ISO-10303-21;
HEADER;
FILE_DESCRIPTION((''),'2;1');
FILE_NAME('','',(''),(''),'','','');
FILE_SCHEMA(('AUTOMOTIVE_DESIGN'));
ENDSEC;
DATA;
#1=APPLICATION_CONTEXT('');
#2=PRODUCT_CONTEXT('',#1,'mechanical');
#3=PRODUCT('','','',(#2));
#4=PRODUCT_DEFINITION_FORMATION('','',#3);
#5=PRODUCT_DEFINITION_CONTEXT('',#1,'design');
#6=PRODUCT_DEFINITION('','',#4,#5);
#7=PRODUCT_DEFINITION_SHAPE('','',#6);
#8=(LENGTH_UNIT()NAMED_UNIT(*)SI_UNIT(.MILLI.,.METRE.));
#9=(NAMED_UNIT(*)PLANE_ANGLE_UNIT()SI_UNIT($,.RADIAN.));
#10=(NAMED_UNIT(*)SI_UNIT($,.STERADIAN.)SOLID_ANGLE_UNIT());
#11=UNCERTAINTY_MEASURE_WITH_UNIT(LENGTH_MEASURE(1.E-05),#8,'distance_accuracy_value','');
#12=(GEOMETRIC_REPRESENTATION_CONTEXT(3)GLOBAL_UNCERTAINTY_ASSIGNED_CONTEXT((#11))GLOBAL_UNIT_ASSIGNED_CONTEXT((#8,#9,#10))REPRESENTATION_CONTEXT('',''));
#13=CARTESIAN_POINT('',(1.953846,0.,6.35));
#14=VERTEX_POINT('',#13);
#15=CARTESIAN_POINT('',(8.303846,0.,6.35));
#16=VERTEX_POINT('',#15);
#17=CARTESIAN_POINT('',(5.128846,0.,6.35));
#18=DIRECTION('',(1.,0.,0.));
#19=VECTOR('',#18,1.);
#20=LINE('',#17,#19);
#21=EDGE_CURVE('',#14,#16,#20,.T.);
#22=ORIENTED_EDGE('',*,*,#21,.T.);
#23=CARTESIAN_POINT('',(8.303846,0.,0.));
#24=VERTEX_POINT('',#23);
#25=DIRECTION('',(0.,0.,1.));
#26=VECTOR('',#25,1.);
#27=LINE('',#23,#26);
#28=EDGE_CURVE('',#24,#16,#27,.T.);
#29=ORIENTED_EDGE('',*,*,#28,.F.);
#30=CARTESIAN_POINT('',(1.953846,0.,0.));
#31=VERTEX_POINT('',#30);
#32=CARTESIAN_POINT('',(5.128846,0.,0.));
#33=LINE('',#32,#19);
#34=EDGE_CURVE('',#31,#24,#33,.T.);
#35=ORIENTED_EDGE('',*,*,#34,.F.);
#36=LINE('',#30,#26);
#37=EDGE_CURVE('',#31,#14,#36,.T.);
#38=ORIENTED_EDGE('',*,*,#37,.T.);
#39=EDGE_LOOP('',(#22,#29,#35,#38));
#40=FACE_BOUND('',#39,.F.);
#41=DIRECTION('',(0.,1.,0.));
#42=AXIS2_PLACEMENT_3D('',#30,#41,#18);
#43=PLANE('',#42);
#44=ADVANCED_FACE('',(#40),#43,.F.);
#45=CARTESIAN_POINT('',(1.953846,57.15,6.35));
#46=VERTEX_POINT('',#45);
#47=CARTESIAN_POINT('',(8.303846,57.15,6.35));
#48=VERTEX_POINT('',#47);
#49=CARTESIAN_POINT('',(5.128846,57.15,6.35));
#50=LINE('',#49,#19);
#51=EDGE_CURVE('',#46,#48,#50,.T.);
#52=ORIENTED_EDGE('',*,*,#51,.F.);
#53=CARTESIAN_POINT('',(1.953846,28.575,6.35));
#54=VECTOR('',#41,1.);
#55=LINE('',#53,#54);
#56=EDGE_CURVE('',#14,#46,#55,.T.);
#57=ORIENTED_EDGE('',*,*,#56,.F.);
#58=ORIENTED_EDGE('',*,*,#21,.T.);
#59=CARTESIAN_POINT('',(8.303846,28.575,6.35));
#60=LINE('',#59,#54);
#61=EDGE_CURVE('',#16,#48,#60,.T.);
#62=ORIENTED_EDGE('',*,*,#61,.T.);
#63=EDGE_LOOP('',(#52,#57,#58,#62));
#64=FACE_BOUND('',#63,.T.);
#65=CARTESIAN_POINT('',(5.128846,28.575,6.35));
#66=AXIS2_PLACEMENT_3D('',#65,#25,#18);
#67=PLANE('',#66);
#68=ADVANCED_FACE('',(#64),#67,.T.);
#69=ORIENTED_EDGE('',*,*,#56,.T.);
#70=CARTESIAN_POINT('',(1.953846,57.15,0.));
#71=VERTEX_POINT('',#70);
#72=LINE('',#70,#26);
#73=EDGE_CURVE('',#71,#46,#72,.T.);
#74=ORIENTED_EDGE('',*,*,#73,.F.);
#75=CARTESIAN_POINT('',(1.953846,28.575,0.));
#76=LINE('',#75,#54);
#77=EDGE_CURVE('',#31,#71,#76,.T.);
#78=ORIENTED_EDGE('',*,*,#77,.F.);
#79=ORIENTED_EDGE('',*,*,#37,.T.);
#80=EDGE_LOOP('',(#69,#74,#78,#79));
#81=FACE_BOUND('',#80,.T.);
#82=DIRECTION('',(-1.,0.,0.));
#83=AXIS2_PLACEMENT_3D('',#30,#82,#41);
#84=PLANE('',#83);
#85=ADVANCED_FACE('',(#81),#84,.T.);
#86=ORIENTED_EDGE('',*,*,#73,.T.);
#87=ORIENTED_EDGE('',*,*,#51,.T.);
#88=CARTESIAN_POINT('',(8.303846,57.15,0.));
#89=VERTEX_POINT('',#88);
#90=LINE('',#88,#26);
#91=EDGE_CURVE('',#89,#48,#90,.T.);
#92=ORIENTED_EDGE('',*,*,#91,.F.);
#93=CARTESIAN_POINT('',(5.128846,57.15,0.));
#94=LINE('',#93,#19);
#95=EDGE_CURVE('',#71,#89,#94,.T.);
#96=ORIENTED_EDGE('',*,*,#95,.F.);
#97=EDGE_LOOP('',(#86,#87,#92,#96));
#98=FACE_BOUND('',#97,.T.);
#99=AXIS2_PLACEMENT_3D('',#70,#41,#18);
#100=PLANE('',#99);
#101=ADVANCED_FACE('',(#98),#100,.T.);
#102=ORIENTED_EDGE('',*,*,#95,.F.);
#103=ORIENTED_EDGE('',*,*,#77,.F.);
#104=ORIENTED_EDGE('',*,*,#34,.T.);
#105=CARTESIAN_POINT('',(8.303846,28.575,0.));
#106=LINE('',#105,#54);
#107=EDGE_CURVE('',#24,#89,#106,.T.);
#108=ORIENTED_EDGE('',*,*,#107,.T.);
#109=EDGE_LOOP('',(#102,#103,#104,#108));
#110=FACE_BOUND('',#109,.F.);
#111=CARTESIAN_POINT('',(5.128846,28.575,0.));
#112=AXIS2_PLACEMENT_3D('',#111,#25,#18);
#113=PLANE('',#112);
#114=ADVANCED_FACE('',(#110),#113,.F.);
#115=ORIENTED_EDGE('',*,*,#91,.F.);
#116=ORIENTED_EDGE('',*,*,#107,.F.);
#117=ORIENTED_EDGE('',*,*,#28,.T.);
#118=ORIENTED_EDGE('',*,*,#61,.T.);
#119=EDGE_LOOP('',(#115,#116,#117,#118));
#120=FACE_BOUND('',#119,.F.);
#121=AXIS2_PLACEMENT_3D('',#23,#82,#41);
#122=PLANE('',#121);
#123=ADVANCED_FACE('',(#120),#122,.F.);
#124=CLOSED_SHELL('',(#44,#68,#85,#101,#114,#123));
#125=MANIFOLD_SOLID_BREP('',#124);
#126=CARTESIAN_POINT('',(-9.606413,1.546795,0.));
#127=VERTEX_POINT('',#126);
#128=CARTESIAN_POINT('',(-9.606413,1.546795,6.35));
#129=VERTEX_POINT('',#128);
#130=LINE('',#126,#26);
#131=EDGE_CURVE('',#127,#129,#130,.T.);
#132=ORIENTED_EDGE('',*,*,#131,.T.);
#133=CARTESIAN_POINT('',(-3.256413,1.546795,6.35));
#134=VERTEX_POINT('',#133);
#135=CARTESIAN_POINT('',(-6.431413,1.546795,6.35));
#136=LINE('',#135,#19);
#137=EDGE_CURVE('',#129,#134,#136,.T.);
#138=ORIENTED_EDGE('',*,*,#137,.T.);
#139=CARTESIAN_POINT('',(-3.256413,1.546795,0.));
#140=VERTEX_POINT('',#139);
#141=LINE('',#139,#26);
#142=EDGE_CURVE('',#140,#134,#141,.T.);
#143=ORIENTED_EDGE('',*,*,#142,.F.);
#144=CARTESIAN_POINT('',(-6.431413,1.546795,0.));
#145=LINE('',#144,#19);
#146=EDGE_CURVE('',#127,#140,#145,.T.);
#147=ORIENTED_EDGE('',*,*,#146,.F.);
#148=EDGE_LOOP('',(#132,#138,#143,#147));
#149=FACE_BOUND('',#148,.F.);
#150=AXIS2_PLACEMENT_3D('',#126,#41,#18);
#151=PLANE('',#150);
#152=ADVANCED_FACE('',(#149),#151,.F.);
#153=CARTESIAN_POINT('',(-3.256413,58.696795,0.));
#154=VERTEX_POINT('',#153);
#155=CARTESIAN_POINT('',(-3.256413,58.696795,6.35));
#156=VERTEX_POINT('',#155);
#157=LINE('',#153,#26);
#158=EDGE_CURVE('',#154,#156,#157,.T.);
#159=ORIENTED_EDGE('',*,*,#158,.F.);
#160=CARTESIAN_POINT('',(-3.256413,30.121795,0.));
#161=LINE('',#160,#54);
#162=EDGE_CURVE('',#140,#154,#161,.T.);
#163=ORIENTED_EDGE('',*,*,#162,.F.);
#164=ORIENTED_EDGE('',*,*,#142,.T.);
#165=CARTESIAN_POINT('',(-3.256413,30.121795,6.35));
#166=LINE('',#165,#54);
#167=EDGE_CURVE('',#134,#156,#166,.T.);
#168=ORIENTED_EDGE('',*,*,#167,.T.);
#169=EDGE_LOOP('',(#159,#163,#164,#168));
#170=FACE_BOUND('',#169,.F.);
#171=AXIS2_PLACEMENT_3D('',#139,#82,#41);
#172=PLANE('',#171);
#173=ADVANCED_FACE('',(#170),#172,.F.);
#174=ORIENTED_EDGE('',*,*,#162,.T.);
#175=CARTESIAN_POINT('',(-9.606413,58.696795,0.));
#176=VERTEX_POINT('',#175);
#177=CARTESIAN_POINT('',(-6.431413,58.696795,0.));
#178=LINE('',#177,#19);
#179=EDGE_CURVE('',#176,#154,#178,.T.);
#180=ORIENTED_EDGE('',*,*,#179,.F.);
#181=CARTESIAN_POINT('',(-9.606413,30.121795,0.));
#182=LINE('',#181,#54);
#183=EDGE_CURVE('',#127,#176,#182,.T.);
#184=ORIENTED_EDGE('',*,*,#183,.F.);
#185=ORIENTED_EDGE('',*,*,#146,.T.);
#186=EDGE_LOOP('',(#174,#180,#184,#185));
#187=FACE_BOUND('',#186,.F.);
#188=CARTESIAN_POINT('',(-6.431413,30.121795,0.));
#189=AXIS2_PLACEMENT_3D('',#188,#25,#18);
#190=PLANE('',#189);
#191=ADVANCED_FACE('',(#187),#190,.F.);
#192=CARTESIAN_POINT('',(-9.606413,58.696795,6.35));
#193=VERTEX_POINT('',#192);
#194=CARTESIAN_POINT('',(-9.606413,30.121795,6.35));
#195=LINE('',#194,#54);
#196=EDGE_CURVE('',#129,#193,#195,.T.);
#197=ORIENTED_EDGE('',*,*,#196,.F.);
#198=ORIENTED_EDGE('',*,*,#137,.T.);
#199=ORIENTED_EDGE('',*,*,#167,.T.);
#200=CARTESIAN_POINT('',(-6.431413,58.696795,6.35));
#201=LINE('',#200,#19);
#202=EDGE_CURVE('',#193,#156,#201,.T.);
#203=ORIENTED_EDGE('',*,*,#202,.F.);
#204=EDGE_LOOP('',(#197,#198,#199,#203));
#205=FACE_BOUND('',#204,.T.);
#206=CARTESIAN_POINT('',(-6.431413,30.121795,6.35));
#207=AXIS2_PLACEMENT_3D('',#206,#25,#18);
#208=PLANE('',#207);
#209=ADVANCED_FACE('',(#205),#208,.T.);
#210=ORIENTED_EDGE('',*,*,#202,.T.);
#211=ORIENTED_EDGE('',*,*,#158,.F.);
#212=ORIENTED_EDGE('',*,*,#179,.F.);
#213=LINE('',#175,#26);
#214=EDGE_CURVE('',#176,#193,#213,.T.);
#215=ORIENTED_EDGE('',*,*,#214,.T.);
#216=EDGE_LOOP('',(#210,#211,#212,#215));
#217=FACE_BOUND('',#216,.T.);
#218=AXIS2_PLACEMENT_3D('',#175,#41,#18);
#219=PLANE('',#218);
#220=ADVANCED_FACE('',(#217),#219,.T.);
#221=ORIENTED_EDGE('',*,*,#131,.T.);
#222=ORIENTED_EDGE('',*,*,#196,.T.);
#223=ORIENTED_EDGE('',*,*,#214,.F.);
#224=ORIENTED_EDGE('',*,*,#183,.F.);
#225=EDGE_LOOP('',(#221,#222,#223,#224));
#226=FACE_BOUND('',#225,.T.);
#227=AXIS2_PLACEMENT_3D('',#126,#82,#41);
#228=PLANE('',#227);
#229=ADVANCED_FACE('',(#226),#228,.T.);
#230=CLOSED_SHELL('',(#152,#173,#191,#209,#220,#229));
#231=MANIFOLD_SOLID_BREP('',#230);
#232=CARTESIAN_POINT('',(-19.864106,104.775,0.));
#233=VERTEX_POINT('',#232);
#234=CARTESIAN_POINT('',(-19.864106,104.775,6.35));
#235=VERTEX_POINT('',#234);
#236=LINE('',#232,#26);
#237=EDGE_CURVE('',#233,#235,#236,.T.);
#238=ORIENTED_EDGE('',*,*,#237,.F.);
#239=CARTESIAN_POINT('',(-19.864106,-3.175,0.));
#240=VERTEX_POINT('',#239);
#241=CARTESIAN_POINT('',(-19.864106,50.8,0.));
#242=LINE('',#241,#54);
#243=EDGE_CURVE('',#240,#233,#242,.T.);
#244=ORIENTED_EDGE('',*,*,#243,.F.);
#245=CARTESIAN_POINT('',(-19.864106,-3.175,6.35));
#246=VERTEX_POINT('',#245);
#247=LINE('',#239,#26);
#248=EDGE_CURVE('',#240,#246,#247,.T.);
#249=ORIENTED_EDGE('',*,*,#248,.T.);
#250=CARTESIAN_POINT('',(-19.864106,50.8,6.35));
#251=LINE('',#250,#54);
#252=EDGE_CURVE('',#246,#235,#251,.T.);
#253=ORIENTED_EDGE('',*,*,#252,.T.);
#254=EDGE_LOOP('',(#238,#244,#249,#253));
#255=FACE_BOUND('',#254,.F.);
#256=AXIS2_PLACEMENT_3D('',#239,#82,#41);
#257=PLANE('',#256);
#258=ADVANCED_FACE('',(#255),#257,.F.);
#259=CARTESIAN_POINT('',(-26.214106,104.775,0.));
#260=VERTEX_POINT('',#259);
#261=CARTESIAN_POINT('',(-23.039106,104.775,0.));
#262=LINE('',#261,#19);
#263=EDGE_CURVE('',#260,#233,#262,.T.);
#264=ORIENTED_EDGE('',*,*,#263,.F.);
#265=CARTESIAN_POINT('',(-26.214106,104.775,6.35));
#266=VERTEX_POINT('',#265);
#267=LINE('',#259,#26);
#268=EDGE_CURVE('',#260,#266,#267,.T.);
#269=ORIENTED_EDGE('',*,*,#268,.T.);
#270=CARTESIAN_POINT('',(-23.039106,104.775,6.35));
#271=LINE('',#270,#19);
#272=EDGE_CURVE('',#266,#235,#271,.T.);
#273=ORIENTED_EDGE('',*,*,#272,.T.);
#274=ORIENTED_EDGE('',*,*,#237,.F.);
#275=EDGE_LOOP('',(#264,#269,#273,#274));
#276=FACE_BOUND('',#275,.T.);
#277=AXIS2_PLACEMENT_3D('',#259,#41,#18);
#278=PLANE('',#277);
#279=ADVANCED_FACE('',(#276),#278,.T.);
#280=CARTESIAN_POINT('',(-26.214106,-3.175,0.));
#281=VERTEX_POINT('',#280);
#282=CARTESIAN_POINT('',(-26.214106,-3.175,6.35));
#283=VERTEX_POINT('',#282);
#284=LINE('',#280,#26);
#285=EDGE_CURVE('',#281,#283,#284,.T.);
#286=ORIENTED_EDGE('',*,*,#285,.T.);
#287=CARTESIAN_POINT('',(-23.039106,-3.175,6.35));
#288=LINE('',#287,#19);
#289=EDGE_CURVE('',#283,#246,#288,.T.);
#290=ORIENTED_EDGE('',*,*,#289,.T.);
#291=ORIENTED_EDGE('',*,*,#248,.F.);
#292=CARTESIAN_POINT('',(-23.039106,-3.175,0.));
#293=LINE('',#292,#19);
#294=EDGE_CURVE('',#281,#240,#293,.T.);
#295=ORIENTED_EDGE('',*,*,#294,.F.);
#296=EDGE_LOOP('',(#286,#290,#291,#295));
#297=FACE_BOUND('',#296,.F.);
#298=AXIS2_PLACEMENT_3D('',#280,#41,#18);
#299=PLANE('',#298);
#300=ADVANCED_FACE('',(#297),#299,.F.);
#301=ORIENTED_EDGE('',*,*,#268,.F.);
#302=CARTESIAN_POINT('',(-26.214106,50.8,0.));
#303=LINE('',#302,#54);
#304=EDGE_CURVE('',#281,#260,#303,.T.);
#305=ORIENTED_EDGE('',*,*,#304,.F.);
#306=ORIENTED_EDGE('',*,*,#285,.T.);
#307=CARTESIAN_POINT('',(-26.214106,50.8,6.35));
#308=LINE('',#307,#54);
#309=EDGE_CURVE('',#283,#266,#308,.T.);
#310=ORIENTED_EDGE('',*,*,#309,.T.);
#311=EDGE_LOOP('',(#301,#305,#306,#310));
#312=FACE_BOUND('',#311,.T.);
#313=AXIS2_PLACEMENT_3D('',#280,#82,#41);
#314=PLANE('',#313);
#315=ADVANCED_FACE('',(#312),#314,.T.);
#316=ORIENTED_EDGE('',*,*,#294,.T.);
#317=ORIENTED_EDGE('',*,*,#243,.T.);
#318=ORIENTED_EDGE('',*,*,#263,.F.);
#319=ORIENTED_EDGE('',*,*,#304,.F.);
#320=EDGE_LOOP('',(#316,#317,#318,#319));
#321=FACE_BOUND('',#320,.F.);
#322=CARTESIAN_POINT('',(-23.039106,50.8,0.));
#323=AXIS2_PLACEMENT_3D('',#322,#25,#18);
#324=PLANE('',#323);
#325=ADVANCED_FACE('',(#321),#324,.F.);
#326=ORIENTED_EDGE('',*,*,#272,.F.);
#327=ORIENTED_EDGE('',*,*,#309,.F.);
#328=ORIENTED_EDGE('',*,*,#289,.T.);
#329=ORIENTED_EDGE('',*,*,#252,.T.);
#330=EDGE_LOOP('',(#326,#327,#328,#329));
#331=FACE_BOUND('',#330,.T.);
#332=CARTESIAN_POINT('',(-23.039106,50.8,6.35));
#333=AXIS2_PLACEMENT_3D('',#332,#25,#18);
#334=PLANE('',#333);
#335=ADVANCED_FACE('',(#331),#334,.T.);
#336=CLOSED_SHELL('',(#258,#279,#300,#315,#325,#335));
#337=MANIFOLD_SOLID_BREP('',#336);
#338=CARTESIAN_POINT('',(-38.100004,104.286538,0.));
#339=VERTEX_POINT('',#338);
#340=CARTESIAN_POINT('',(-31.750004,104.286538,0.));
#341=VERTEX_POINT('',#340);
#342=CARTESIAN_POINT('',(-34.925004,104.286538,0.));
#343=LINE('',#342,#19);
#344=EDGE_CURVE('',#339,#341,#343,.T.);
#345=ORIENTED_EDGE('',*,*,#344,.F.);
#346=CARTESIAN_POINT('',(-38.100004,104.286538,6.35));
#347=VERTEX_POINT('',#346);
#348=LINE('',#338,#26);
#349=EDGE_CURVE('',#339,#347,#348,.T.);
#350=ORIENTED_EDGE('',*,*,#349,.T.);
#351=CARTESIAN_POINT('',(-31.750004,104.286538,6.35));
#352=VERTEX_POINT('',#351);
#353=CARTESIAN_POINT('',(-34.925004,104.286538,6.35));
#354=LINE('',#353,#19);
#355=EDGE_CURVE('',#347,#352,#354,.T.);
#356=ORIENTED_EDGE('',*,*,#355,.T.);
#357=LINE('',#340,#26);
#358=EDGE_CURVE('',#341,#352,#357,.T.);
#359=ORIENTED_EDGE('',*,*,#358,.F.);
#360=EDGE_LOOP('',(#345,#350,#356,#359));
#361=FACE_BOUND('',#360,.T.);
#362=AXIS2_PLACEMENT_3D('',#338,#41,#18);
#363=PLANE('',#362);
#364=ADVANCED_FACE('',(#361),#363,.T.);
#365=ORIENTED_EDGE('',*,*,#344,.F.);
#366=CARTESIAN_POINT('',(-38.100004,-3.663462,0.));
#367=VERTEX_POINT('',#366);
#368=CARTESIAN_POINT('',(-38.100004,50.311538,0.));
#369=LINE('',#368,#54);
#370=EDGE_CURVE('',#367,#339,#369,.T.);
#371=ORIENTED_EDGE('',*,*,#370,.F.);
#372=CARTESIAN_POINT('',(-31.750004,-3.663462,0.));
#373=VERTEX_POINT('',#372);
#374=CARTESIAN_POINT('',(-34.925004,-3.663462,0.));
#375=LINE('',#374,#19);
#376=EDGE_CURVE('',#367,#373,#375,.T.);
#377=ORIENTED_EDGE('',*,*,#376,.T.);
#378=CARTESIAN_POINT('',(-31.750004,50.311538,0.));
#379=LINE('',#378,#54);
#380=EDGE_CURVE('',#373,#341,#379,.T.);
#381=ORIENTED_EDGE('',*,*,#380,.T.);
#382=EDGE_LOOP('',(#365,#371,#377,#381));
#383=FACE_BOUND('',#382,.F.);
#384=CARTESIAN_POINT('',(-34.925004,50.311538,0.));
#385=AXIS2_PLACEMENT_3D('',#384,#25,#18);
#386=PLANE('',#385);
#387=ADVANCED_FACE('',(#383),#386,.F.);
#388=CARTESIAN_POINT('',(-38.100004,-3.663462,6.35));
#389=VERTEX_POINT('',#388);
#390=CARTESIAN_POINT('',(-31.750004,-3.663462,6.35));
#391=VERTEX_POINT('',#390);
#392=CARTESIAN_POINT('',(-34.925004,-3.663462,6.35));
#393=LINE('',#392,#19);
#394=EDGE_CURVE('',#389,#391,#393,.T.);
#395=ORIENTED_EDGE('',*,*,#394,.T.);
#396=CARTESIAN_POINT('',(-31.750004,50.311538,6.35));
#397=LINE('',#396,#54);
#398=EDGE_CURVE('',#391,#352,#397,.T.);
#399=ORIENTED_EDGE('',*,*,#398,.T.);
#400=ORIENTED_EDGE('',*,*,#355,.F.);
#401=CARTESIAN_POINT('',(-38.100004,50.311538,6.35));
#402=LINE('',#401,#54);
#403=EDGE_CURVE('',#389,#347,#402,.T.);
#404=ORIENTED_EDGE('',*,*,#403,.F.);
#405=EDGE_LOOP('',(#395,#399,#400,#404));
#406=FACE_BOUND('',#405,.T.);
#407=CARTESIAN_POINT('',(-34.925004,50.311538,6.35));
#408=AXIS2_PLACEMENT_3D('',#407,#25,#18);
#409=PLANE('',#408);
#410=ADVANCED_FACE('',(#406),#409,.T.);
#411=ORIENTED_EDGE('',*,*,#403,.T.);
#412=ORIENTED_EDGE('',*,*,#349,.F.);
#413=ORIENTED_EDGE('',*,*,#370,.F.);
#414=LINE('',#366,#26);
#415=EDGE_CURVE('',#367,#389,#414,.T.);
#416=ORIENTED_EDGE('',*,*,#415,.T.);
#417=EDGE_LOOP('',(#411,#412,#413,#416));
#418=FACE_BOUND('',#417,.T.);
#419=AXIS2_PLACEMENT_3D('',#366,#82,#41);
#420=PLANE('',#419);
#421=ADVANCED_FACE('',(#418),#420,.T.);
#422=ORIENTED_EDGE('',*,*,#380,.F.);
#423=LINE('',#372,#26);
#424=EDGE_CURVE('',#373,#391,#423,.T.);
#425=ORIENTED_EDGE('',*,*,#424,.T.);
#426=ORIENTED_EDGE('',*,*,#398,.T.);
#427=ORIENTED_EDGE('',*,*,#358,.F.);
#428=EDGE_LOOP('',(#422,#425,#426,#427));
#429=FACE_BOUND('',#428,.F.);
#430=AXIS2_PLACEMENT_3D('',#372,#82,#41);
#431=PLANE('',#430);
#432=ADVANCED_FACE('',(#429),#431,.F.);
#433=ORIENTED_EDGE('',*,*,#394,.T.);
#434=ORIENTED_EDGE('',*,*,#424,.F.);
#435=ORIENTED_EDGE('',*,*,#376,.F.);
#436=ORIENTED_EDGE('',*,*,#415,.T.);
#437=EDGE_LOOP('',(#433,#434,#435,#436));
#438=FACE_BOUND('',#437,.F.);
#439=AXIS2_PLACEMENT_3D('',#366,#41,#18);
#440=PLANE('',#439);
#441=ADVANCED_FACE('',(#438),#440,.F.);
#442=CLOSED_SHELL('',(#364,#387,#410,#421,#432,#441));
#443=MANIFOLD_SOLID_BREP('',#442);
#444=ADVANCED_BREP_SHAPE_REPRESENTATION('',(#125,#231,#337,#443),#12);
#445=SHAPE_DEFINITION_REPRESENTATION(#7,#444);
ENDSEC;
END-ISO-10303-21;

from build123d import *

# Parameters (mm, degrees)
F0_W     = 6.35
F0_H     = 107.95
F0_H_2   = 57.15
F1_DEPTH = 6.35


with BuildPart() as f1:
    # F0 (on Top) → F1 (new body)
    with BuildSketch(Plane.XY):
        with Locations((-34.925004, 50.311538)):
            Rectangle(F0_W, F0_H)
        with Locations((-23.039106, 50.8)):
            Rectangle(F0_W, F0_H)
        with Locations((-6.431413, 30.121795)):
            Rectangle(F0_W, F0_H_2)
        with Locations((5.128846, 28.575)):
            Rectangle(F0_W, F0_H_2)
    extrude(amount=F1_DEPTH)


solid = f1.part
